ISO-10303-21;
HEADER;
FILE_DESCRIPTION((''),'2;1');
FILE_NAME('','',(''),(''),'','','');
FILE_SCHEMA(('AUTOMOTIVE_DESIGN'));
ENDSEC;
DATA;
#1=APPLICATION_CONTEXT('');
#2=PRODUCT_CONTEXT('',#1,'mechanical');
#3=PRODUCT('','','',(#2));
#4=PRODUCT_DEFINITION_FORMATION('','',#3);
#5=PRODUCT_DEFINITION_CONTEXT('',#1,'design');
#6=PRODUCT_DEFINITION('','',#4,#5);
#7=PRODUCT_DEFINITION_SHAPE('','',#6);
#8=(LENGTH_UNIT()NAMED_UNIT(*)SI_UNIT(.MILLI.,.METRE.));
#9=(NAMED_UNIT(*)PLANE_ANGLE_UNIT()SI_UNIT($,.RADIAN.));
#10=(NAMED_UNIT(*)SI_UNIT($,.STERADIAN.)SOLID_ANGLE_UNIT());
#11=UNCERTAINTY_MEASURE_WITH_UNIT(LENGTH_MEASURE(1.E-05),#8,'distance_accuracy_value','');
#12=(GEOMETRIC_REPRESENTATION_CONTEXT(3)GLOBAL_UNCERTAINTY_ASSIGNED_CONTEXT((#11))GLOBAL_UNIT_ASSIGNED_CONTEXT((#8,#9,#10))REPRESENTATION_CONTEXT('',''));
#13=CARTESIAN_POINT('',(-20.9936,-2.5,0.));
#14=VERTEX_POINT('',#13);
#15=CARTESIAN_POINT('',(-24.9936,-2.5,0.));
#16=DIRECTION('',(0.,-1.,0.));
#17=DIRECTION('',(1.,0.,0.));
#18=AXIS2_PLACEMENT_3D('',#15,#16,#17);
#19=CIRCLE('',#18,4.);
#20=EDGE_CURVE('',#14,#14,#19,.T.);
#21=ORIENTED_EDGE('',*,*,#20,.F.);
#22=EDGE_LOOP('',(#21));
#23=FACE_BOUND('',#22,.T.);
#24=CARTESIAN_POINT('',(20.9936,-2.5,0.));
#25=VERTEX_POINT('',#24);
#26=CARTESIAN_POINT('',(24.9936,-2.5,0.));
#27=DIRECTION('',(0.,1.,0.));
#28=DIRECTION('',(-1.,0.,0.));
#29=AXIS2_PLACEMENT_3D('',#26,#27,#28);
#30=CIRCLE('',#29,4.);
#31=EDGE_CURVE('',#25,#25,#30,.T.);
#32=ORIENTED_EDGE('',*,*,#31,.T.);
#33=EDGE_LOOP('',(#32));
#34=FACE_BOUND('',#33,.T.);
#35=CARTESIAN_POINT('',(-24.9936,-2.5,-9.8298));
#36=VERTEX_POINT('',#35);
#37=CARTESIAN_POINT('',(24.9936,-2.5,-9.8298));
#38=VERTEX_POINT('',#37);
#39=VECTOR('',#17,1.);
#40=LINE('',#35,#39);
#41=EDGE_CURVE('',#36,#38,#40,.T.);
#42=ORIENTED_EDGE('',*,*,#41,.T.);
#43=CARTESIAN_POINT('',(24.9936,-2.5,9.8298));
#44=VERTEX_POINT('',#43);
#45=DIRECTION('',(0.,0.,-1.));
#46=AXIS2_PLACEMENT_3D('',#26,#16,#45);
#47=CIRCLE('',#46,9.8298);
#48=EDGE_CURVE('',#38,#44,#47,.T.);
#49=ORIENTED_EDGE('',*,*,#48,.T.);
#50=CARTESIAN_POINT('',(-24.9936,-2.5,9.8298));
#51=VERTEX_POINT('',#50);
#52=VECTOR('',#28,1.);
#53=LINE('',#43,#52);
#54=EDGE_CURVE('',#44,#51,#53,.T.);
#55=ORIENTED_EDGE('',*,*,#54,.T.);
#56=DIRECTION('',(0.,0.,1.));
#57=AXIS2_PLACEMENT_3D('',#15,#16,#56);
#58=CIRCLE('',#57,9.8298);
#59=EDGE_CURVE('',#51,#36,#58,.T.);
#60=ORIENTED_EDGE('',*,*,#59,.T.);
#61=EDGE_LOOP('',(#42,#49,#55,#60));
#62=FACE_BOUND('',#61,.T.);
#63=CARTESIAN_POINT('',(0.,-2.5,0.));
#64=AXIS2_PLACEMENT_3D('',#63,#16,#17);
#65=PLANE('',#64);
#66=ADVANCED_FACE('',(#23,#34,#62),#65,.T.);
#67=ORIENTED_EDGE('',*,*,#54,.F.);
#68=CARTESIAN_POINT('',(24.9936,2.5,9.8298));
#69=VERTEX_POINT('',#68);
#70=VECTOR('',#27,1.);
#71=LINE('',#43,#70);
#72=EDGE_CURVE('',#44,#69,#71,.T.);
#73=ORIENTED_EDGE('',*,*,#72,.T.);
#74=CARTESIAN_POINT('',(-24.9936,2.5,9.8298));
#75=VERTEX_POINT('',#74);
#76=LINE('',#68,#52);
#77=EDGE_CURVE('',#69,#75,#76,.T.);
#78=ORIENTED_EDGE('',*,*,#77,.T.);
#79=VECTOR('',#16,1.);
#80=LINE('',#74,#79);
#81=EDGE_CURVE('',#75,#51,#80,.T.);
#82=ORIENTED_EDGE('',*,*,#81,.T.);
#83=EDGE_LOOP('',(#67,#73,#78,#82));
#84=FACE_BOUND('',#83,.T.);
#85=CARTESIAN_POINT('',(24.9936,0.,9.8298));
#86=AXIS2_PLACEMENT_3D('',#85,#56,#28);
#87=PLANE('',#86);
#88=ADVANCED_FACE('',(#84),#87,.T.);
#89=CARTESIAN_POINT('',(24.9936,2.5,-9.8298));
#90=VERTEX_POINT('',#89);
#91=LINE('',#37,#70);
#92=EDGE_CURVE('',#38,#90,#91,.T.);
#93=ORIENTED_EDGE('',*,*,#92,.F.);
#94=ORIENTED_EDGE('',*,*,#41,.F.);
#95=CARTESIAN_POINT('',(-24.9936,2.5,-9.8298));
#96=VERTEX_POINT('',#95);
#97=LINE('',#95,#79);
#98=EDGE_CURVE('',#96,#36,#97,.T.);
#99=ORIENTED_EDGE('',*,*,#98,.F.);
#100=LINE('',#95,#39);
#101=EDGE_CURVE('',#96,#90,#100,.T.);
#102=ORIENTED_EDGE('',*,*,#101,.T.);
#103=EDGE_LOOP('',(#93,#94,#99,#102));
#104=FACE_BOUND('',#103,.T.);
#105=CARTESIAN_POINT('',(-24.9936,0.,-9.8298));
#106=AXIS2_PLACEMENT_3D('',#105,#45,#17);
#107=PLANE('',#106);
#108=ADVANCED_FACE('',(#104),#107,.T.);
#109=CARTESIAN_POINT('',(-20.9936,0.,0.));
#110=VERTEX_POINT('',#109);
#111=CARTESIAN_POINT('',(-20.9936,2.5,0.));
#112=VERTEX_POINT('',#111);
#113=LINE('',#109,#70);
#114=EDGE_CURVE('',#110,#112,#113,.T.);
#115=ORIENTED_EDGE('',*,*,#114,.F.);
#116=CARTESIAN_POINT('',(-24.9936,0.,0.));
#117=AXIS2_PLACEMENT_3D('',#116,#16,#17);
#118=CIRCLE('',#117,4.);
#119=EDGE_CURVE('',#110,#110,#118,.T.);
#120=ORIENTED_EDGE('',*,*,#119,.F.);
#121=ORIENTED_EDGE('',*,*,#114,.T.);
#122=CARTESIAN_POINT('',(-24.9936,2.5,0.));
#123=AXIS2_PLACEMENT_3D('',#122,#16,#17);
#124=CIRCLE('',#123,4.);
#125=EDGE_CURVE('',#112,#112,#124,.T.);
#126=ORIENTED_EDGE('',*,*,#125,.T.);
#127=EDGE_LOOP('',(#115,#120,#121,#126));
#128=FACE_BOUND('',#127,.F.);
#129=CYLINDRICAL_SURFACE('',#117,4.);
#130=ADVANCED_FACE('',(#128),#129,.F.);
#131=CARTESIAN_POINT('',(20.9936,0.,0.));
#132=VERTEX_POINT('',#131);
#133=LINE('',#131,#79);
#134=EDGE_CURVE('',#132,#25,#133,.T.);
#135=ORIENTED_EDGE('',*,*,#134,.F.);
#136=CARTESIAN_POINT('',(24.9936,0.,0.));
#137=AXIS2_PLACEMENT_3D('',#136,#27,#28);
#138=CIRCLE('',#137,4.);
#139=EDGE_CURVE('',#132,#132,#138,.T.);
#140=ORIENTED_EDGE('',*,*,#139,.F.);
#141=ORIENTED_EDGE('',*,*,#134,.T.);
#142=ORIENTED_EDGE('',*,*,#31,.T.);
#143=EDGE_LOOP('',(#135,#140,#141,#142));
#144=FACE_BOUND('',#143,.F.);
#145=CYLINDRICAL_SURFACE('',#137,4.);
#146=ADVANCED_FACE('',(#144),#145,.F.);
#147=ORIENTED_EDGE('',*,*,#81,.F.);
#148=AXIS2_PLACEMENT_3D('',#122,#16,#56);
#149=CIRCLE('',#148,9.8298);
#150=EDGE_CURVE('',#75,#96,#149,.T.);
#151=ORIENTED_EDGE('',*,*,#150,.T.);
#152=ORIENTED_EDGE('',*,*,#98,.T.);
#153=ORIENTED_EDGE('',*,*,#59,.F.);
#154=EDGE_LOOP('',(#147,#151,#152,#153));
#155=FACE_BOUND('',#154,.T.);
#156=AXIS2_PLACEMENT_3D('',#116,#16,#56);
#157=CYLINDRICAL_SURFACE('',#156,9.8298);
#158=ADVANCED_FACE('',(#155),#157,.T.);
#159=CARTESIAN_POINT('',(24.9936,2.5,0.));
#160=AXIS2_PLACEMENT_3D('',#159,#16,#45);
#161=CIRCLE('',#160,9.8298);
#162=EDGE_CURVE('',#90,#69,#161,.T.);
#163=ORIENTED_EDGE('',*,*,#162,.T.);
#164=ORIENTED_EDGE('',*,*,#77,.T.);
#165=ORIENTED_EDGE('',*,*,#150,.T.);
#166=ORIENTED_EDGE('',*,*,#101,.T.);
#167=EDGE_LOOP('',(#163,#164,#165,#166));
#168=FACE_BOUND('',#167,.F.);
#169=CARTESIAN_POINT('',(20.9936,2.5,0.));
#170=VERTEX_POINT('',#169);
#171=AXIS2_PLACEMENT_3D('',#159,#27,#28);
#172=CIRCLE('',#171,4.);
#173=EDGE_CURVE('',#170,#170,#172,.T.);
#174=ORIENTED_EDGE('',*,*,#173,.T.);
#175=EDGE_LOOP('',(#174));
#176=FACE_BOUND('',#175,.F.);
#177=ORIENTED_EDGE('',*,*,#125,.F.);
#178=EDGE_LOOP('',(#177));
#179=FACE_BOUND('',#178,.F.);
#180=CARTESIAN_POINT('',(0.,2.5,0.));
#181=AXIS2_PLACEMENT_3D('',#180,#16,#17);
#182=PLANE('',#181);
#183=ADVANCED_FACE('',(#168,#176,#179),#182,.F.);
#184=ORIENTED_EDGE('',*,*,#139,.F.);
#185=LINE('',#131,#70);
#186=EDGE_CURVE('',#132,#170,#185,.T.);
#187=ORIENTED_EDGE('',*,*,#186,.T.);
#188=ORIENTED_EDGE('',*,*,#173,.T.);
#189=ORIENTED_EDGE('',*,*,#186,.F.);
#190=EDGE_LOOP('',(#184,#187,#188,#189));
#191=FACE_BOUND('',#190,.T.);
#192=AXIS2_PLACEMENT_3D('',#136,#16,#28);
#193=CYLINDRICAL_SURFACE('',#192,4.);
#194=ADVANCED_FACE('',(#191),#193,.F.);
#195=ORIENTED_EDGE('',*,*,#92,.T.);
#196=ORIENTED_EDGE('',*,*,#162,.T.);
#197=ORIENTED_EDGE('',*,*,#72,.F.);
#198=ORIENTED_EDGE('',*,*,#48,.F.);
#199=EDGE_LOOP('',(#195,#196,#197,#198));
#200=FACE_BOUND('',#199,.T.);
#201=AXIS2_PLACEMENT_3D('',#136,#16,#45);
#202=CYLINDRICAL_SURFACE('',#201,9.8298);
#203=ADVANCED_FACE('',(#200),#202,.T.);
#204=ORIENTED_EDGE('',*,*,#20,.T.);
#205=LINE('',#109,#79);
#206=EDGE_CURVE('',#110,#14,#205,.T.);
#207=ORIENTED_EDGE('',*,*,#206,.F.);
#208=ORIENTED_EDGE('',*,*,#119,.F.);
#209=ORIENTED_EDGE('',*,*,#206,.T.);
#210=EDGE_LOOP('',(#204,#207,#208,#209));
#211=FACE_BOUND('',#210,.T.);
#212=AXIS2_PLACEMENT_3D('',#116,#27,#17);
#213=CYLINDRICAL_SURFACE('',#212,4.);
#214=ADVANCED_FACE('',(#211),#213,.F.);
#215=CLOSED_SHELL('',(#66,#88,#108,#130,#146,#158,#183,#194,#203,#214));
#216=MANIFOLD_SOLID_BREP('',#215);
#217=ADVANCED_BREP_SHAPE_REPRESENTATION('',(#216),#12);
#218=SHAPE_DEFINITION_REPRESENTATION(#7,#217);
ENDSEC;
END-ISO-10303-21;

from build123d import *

# Parameters (mm, degrees)
F0_R     = 4
F1_DEPTH = 2.5


with BuildPart() as f1:
    # F0 (on Front) → F1 (new body, symmetric)
    with BuildSketch(Plane.XZ):
        with BuildLine():
            Line((24.9936, 9.8298), (0, 9.8298))
            Line((0, 9.8298), (-24.9936, 9.8298))
            ThreePointArc((-24.9936, 9.8298), (-34.8234, 0), (-24.9936, -9.8298))
            Line((-24.9936, -9.8298), (0, -9.8298))
            Line((0, -9.8298), (24.9936, -9.8298))
            ThreePointArc((24.9936, -9.8298), (34.8234, 0), (24.9936, 9.8298))
        make_face()
        with Locations((-24.9936, 0)):
            Circle(F0_R, mode=Mode.SUBTRACT)
        with BuildLine():
            ThreePointArc((28.9936, 0), (24.9936, -4), (20.9936, 0))
            ThreePointArc((20.9936, 0), (24.9936, 4), (28.9936, 0))
        make_face(mode=Mode.SUBTRACT)
    extrude(amount=F1_DEPTH, both=True)


solid = f1.part
